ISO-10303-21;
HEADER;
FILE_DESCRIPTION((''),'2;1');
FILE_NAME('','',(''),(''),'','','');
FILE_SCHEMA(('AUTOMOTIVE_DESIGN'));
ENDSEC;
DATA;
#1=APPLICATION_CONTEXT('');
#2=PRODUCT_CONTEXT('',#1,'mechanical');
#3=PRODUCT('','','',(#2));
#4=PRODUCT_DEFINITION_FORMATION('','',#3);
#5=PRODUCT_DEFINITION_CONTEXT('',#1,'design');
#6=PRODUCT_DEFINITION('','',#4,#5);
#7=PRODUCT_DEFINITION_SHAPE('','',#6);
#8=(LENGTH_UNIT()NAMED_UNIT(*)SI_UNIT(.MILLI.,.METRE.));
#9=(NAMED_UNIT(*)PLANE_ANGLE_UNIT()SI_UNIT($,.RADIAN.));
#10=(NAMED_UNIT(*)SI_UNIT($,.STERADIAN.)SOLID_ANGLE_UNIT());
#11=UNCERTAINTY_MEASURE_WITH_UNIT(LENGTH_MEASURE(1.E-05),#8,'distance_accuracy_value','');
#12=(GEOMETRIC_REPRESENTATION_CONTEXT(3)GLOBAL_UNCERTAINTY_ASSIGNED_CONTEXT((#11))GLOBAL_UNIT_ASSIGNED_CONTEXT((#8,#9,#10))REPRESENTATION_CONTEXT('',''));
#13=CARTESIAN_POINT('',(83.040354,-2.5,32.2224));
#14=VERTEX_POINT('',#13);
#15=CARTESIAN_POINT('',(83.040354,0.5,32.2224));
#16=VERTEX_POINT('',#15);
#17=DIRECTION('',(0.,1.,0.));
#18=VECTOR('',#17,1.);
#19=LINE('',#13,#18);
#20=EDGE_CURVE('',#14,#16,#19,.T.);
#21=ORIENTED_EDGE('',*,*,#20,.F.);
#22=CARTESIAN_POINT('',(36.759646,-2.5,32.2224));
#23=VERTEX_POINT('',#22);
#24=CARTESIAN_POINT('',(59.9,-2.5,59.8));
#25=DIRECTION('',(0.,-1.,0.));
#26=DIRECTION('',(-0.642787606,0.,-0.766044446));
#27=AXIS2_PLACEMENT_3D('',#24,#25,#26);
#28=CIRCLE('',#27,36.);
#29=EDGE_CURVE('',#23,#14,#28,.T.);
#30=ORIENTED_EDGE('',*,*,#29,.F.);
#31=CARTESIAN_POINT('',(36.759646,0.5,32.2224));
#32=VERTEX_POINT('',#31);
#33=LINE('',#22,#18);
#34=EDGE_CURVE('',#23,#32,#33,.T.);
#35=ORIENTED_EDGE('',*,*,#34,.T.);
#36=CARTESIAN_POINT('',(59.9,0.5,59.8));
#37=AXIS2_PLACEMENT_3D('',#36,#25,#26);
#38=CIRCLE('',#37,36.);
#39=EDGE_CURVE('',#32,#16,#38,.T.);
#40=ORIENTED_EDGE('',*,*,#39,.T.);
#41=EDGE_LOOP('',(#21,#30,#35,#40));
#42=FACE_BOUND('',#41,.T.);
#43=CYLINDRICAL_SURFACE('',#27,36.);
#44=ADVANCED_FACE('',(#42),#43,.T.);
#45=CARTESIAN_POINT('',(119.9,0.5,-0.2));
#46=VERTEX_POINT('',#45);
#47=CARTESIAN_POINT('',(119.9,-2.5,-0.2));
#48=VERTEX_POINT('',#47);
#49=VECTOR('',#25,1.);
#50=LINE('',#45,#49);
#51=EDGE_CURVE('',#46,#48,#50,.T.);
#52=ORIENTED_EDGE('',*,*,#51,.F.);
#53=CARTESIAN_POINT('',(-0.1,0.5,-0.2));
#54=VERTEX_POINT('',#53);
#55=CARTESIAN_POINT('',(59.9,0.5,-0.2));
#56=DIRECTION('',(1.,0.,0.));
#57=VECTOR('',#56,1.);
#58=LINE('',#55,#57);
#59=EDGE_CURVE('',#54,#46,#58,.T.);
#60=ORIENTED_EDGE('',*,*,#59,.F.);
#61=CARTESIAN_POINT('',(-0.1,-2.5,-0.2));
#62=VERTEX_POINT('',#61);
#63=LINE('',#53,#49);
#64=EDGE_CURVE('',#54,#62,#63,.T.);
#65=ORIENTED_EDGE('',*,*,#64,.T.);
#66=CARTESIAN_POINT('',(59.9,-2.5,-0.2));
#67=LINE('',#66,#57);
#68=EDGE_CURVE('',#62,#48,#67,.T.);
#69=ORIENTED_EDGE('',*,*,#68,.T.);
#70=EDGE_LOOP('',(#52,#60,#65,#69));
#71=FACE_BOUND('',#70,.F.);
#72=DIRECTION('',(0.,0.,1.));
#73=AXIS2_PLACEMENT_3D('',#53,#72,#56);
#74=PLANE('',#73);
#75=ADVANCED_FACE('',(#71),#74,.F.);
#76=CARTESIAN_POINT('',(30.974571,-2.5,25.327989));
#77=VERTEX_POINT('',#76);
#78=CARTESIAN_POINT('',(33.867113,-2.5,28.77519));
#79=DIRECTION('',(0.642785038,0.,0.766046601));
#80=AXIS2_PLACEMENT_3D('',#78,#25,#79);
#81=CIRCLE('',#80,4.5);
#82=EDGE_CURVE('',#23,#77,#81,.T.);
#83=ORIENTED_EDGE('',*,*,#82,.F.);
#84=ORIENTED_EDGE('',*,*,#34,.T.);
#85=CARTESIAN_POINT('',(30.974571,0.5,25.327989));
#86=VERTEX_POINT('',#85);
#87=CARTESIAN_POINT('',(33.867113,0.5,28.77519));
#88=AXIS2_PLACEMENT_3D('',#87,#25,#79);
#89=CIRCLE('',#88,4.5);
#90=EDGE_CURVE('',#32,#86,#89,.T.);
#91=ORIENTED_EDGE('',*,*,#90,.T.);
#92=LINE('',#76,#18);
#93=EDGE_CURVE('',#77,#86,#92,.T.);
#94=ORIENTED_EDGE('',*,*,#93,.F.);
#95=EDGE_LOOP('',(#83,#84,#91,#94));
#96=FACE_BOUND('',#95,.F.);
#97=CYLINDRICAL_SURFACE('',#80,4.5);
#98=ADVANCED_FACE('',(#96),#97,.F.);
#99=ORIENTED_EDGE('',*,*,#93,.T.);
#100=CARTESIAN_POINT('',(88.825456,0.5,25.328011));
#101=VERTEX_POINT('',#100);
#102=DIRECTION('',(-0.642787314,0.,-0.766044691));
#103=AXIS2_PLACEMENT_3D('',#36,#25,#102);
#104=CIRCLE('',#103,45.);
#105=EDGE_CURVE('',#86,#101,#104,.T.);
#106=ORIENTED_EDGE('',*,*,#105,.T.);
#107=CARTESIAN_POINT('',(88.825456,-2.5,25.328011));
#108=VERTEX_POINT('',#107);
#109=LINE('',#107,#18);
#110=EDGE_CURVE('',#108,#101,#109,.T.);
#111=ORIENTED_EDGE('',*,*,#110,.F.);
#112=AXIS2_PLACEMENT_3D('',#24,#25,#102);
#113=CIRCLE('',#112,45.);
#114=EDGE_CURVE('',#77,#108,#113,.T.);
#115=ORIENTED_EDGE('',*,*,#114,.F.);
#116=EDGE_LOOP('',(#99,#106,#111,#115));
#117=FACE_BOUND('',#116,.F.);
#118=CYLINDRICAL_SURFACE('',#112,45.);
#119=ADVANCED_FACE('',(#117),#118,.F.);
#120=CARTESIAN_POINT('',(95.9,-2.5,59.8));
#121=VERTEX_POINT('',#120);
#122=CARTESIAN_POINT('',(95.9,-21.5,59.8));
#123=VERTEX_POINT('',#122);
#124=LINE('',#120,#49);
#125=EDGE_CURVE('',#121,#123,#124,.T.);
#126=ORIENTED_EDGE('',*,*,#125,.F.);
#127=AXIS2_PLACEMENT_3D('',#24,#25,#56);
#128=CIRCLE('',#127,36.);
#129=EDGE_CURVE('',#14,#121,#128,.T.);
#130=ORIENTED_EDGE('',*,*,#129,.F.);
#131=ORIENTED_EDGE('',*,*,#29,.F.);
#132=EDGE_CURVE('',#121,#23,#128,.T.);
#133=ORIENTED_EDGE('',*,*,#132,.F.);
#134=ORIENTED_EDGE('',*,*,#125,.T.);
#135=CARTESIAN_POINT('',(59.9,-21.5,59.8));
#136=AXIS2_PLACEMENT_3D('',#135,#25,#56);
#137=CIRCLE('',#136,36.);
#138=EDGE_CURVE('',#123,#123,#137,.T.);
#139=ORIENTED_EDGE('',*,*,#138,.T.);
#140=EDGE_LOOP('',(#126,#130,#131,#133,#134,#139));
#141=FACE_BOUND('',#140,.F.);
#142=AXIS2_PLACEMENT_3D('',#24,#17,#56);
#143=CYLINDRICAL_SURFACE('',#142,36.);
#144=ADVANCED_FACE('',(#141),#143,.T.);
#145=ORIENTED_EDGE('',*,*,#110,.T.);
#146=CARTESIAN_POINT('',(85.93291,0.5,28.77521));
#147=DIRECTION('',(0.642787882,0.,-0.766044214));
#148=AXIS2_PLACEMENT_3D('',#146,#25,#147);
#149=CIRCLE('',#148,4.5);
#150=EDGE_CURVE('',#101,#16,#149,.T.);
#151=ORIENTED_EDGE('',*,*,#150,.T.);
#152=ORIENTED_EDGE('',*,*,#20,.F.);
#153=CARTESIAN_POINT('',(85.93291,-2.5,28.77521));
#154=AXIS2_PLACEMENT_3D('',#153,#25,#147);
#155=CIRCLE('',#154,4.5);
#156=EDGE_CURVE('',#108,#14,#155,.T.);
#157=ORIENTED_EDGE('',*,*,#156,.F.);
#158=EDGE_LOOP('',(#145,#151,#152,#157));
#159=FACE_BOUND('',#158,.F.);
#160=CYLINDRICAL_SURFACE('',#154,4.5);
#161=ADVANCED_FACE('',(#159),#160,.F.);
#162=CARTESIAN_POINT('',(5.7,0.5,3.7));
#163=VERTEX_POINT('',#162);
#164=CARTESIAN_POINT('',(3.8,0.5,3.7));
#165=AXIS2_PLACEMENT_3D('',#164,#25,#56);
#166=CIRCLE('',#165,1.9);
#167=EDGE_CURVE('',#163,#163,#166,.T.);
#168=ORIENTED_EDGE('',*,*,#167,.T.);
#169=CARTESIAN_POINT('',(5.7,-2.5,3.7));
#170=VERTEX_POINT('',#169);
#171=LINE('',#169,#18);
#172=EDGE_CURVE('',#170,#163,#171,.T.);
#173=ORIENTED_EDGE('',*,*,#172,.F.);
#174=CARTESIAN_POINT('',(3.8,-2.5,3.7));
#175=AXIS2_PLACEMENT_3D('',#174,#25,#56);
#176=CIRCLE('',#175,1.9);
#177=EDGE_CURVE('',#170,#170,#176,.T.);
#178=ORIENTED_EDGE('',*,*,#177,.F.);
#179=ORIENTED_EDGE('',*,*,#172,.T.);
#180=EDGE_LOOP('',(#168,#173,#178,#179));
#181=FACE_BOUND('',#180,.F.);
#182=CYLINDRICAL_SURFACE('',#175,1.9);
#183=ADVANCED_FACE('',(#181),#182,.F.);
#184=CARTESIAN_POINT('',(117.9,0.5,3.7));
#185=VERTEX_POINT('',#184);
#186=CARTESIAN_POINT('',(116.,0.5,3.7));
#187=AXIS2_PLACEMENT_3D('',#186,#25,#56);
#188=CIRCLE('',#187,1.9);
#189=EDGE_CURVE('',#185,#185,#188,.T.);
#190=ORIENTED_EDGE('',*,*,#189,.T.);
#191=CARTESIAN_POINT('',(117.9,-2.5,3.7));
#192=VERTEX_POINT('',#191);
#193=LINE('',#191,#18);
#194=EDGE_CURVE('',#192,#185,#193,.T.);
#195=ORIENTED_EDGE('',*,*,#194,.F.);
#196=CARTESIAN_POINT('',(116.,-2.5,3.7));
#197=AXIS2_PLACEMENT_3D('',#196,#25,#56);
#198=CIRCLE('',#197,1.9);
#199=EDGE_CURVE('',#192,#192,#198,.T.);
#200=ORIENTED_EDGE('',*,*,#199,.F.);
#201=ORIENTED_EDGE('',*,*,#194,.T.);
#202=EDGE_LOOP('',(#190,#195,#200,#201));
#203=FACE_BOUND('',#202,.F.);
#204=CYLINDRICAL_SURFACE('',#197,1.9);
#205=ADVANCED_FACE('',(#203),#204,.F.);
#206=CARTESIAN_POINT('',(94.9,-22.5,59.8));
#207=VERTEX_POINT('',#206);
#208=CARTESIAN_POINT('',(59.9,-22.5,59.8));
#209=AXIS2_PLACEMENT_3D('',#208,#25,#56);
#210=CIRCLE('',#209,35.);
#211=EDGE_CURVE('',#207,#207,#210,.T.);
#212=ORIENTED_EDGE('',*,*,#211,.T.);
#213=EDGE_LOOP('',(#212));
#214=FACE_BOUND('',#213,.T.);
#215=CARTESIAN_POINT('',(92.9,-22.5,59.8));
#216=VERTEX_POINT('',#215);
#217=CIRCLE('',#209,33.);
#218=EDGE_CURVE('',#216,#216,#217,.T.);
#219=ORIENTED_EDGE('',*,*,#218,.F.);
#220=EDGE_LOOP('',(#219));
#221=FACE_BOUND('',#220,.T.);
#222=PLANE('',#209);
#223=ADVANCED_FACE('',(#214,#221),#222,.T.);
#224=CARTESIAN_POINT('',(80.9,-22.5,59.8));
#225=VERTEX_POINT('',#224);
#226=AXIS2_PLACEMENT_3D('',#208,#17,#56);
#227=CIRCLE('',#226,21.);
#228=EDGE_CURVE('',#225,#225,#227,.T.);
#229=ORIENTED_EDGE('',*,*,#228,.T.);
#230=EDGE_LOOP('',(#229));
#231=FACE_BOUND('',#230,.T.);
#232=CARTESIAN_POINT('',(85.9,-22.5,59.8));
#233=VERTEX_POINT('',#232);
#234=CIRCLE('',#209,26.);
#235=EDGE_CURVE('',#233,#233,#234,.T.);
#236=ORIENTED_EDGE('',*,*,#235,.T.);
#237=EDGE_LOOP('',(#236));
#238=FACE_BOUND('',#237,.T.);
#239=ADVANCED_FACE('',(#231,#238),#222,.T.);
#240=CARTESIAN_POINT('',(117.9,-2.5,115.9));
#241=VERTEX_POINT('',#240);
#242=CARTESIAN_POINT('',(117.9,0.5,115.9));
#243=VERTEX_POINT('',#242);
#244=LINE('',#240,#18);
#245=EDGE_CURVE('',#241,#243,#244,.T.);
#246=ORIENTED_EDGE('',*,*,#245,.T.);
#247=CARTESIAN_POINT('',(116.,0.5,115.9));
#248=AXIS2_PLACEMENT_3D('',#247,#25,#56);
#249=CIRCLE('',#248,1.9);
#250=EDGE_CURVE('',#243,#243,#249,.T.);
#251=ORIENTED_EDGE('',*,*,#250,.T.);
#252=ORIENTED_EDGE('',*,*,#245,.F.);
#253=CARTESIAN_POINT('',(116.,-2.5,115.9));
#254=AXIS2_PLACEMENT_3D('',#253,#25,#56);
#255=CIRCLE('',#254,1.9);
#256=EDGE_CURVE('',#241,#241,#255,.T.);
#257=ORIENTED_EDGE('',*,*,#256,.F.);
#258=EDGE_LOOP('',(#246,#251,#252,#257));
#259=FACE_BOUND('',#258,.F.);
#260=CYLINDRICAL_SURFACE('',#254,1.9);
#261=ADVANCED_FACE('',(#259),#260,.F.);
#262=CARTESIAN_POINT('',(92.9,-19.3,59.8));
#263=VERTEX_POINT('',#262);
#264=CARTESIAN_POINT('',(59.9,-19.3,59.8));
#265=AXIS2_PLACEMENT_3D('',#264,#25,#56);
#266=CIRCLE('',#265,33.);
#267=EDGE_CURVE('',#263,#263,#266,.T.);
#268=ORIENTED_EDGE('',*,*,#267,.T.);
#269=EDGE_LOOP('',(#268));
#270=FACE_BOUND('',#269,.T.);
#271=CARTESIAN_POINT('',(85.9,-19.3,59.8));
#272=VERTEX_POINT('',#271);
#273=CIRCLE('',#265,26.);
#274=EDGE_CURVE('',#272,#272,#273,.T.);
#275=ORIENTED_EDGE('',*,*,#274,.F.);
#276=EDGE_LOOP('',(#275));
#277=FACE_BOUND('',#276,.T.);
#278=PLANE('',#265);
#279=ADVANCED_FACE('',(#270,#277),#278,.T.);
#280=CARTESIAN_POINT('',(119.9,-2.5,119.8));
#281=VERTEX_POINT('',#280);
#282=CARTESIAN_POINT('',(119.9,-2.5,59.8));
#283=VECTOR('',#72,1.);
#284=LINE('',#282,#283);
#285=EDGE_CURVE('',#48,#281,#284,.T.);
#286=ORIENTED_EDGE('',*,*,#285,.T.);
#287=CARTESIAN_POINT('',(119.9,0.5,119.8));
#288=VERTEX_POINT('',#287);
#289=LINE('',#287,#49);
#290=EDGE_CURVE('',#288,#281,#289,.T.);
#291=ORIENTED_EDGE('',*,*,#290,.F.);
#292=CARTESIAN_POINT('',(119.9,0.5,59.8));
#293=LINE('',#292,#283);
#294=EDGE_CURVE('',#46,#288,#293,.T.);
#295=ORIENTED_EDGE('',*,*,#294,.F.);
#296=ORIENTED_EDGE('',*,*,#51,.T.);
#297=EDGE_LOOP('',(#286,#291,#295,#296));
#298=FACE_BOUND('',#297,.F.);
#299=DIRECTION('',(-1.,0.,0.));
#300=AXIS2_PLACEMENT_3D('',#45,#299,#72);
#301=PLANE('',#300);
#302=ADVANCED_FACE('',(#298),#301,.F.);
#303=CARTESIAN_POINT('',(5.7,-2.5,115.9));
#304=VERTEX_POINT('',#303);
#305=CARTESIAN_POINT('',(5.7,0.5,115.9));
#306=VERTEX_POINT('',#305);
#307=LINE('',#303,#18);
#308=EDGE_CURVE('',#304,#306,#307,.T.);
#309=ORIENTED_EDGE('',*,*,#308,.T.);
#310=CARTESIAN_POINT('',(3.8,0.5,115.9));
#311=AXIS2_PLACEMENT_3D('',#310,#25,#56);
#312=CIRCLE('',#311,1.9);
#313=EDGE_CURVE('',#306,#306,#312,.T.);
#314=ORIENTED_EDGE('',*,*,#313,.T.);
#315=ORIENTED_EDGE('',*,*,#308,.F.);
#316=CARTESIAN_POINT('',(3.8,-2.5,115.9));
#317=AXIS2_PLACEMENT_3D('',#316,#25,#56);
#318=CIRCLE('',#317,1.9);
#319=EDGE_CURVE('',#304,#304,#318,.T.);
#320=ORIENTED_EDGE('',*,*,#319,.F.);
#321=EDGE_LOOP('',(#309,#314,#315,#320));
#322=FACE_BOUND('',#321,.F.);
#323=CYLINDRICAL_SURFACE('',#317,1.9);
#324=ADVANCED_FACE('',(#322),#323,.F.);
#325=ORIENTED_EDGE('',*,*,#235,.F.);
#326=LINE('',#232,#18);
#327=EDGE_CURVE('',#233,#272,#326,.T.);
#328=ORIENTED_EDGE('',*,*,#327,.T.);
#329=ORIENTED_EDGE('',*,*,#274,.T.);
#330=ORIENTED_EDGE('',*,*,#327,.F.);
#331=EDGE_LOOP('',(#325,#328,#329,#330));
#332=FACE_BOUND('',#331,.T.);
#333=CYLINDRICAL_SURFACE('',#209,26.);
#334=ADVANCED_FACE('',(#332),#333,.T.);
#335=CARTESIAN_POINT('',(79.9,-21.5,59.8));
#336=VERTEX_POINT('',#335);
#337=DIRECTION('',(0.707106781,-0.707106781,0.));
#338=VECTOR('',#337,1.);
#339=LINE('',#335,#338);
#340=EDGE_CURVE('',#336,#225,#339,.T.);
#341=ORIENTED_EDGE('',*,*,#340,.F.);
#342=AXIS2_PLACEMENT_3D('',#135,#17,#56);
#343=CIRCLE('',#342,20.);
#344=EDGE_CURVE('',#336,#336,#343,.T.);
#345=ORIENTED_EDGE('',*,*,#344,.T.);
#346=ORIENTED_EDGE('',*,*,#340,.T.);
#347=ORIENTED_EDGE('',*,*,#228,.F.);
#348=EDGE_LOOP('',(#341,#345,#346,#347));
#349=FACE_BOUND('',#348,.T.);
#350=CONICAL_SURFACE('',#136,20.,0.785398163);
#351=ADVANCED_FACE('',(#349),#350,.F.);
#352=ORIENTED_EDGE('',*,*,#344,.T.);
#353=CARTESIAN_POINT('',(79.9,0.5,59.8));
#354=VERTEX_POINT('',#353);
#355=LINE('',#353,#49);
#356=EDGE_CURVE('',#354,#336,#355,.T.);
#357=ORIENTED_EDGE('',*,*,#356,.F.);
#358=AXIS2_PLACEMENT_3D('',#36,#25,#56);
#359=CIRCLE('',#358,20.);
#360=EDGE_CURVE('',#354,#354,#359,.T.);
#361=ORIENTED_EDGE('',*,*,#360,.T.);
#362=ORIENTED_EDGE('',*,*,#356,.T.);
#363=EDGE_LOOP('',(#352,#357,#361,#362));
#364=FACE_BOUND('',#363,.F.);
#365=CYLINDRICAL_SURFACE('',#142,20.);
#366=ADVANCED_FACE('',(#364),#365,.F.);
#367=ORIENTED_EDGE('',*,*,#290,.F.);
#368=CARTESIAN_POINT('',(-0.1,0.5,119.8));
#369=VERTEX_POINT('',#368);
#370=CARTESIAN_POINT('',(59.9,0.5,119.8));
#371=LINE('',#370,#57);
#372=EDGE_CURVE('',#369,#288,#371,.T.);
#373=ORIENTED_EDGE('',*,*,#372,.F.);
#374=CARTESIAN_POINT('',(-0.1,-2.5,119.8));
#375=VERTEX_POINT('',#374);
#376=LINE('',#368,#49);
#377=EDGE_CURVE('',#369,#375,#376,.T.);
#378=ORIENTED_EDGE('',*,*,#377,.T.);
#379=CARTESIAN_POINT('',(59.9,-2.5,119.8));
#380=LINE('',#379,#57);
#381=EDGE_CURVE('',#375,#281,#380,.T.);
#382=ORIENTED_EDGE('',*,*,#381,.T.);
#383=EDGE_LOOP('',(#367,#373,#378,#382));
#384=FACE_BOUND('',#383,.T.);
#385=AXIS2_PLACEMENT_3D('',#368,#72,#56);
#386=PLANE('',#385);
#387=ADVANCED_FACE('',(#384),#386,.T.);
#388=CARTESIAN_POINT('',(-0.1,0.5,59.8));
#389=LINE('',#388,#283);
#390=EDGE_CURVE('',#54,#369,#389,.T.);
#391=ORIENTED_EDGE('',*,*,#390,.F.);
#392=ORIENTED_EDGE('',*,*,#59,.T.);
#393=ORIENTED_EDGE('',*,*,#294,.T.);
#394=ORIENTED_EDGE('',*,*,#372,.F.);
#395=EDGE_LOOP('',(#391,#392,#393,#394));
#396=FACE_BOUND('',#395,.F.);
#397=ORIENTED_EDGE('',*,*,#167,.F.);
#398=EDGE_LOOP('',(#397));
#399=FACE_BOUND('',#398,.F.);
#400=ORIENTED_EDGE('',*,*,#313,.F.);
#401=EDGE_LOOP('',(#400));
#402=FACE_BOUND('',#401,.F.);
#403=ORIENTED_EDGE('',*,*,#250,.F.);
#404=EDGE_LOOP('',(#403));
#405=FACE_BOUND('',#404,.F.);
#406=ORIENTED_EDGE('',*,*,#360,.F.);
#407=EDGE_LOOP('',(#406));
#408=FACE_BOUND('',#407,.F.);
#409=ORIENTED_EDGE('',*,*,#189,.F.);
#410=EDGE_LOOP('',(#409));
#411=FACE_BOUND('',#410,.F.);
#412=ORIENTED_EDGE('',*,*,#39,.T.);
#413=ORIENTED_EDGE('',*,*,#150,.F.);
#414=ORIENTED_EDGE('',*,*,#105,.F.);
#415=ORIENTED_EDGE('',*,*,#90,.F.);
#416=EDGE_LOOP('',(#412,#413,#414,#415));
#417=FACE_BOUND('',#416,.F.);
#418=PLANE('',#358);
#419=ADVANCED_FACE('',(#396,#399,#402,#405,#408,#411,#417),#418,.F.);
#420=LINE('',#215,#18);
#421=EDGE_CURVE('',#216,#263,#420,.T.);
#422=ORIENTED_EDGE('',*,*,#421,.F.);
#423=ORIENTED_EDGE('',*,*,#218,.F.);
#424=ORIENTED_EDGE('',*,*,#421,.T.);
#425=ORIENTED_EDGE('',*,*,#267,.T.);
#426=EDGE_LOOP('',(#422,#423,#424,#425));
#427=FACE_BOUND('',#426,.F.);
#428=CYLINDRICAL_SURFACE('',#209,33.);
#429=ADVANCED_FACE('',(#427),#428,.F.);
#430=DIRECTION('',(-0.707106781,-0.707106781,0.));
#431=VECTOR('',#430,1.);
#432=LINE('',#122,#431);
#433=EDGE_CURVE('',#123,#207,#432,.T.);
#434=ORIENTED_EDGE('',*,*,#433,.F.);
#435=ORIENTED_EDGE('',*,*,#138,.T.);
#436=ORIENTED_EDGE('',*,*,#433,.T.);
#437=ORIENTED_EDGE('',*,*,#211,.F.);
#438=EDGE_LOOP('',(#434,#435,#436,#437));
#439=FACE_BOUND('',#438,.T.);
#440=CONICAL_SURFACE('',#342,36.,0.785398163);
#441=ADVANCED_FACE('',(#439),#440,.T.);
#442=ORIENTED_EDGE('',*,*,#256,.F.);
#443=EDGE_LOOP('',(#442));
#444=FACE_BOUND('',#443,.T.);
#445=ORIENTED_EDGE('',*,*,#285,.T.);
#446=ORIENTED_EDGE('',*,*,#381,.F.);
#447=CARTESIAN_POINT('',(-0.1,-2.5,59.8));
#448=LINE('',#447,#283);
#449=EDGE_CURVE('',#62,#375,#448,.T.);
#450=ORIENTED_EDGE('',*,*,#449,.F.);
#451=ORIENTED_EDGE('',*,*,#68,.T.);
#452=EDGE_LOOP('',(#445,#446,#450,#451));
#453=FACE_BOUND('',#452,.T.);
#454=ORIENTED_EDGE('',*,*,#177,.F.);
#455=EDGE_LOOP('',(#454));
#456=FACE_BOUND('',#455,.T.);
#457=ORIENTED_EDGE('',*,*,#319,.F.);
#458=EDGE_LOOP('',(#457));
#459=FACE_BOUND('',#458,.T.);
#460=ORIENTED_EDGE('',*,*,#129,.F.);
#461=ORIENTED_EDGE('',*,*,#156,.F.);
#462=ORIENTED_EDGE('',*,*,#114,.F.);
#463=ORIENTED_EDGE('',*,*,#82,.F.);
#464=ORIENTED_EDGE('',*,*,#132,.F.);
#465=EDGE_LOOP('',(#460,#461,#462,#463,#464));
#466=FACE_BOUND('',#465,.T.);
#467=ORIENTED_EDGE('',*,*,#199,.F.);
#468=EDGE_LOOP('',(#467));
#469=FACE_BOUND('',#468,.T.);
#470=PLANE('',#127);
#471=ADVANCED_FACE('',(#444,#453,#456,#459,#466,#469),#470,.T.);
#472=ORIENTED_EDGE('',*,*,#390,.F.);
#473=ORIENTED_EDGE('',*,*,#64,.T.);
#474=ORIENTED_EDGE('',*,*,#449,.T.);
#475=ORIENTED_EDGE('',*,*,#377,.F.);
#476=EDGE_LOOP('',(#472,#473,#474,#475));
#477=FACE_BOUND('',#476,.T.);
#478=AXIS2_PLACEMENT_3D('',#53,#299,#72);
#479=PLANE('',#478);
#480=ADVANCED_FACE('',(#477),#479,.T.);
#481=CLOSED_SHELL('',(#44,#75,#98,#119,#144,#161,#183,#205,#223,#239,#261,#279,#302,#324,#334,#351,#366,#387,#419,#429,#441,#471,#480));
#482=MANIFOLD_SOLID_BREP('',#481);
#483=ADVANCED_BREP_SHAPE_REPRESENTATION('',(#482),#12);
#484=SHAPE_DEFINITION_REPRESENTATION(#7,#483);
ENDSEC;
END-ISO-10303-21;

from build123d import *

# Parameters (mm, degrees)
SKETCH054_W     = 120
SKETCH054_H     = 120
PAD015_DEPTH    = 3
SKETCH065_R     = 1.9
POCKET034_DEPTH = 3.001
SKETCH064_R     = 20
POCKET036_DEPTH = 3.001
SKETCH058_R     = 36
PAD013_DEPTH    = 20
SKETCH055_R     = 20
POCKET035_DEPTH = 20.001
SKETCH056_R     = 33
SKETCH056_R_2   = 26
POCKET037_DEPTH = 3.2
CHAMFER003_SIZE = 1
CHAMFER002_SIZE = 1
POCKET042_DEPTH = 3.001


with BuildPart() as part:
    # Sketch054 → Pad015 (new body)
    with BuildSketch(Plane.XZ):
        with Locations((60, 60)):
            Rectangle(SKETCH054_W, SKETCH054_H)
    extrude(amount=PAD015_DEPTH)

    # Sketch065 (on Face6 of Pad015) → Pocket034 (cut, through all)
    with BuildSketch(Plane.XZ.offset(3)):
        with Locations((3.9, 3.9)):
            Circle(SKETCH065_R)
        with Locations((116.1, 3.9)):
            Circle(SKETCH065_R)
        with Locations((116.1, 116.1)):
            Circle(SKETCH065_R)
        with Locations((3.9, 116.1)):
            Circle(SKETCH065_R)
    extrude(amount=-POCKET034_DEPTH, mode=Mode.SUBTRACT)

    # Sketch064 (on Face5 of Pocket034) → Pocket036 (cut, through all)
    with BuildSketch(Plane.XZ.offset(3)):
        with Locations((60, 60)):
            Circle(SKETCH064_R)
    extrude(amount=-POCKET036_DEPTH, mode=Mode.SUBTRACT)

    # Sketch058 (on Face5 of Pocket036) → Pad013 (join)
    with BuildSketch(Plane.XZ.offset(3)):
        with Locations((60, 60)):
            Circle(SKETCH058_R)
    extrude(amount=PAD013_DEPTH)

    # Sketch055 (on Face13 of Pad013) → Pocket035 (cut, through all)
    with BuildSketch(Plane(origin=(0, -3, 0), x_dir=(1, 0, 0), z_dir=(0, 1, 0))):
        with Locations((60, -60)):
            Circle(SKETCH055_R)
    extrude(amount=-POCKET035_DEPTH, mode=Mode.SUBTRACT)

    # Sketch056 (on Face14 of Pocket035) → Pocket037 (cut)
    with BuildSketch(Plane.XZ.offset(23)):
        with Locations((60, 60)):
            Circle(SKETCH056_R)
        with Locations((60, 60)):
            Circle(SKETCH056_R_2, mode=Mode.SUBTRACT)
    extrude(amount=-POCKET037_DEPTH, mode=Mode.SUBTRACT)

    # Chamfer003
    chamfer003_edges = [part.edges().sort_by_distance(p)[0] for p in [
        (40, -23, 60),
    ]]
    chamfer(chamfer003_edges, length=CHAMFER003_SIZE)

    # Chamfer002
    chamfer002_edges = [part.edges().sort_by_distance(p)[0] for p in [
        (24, -23, 60),
    ]]
    chamfer(chamfer002_edges, length=CHAMFER002_SIZE)

    # Sketch066 (on Face3 of Chamfer002) → Pocket042 (cut, through all)
    with BuildSketch(Plane.XZ.offset(3)):
        with BuildLine():
            ThreePointArc((36.859646, 32.4224), (60, 24), (83.140354, 32.4224))
            ThreePointArc((88.925456, 25.528011), (89.480105, 31.867761), (83.140354, 32.4224))
            ThreePointArc((31.074571, 25.527989), (60.000017, 15), (88.925456, 25.528011))
            ThreePointArc((36.859646, 32.4224), (30.519908, 31.867728), (31.074571, 25.527989))
        make_face()
    extrude(amount=-POCKET042_DEPTH, mode=Mode.SUBTRACT)


with BuildPart() as part_1:
    # Body007 placement: moved
    add(part.part.moved(Location((-0.1, 0.5, -0.2))))


solid = part_1.part
